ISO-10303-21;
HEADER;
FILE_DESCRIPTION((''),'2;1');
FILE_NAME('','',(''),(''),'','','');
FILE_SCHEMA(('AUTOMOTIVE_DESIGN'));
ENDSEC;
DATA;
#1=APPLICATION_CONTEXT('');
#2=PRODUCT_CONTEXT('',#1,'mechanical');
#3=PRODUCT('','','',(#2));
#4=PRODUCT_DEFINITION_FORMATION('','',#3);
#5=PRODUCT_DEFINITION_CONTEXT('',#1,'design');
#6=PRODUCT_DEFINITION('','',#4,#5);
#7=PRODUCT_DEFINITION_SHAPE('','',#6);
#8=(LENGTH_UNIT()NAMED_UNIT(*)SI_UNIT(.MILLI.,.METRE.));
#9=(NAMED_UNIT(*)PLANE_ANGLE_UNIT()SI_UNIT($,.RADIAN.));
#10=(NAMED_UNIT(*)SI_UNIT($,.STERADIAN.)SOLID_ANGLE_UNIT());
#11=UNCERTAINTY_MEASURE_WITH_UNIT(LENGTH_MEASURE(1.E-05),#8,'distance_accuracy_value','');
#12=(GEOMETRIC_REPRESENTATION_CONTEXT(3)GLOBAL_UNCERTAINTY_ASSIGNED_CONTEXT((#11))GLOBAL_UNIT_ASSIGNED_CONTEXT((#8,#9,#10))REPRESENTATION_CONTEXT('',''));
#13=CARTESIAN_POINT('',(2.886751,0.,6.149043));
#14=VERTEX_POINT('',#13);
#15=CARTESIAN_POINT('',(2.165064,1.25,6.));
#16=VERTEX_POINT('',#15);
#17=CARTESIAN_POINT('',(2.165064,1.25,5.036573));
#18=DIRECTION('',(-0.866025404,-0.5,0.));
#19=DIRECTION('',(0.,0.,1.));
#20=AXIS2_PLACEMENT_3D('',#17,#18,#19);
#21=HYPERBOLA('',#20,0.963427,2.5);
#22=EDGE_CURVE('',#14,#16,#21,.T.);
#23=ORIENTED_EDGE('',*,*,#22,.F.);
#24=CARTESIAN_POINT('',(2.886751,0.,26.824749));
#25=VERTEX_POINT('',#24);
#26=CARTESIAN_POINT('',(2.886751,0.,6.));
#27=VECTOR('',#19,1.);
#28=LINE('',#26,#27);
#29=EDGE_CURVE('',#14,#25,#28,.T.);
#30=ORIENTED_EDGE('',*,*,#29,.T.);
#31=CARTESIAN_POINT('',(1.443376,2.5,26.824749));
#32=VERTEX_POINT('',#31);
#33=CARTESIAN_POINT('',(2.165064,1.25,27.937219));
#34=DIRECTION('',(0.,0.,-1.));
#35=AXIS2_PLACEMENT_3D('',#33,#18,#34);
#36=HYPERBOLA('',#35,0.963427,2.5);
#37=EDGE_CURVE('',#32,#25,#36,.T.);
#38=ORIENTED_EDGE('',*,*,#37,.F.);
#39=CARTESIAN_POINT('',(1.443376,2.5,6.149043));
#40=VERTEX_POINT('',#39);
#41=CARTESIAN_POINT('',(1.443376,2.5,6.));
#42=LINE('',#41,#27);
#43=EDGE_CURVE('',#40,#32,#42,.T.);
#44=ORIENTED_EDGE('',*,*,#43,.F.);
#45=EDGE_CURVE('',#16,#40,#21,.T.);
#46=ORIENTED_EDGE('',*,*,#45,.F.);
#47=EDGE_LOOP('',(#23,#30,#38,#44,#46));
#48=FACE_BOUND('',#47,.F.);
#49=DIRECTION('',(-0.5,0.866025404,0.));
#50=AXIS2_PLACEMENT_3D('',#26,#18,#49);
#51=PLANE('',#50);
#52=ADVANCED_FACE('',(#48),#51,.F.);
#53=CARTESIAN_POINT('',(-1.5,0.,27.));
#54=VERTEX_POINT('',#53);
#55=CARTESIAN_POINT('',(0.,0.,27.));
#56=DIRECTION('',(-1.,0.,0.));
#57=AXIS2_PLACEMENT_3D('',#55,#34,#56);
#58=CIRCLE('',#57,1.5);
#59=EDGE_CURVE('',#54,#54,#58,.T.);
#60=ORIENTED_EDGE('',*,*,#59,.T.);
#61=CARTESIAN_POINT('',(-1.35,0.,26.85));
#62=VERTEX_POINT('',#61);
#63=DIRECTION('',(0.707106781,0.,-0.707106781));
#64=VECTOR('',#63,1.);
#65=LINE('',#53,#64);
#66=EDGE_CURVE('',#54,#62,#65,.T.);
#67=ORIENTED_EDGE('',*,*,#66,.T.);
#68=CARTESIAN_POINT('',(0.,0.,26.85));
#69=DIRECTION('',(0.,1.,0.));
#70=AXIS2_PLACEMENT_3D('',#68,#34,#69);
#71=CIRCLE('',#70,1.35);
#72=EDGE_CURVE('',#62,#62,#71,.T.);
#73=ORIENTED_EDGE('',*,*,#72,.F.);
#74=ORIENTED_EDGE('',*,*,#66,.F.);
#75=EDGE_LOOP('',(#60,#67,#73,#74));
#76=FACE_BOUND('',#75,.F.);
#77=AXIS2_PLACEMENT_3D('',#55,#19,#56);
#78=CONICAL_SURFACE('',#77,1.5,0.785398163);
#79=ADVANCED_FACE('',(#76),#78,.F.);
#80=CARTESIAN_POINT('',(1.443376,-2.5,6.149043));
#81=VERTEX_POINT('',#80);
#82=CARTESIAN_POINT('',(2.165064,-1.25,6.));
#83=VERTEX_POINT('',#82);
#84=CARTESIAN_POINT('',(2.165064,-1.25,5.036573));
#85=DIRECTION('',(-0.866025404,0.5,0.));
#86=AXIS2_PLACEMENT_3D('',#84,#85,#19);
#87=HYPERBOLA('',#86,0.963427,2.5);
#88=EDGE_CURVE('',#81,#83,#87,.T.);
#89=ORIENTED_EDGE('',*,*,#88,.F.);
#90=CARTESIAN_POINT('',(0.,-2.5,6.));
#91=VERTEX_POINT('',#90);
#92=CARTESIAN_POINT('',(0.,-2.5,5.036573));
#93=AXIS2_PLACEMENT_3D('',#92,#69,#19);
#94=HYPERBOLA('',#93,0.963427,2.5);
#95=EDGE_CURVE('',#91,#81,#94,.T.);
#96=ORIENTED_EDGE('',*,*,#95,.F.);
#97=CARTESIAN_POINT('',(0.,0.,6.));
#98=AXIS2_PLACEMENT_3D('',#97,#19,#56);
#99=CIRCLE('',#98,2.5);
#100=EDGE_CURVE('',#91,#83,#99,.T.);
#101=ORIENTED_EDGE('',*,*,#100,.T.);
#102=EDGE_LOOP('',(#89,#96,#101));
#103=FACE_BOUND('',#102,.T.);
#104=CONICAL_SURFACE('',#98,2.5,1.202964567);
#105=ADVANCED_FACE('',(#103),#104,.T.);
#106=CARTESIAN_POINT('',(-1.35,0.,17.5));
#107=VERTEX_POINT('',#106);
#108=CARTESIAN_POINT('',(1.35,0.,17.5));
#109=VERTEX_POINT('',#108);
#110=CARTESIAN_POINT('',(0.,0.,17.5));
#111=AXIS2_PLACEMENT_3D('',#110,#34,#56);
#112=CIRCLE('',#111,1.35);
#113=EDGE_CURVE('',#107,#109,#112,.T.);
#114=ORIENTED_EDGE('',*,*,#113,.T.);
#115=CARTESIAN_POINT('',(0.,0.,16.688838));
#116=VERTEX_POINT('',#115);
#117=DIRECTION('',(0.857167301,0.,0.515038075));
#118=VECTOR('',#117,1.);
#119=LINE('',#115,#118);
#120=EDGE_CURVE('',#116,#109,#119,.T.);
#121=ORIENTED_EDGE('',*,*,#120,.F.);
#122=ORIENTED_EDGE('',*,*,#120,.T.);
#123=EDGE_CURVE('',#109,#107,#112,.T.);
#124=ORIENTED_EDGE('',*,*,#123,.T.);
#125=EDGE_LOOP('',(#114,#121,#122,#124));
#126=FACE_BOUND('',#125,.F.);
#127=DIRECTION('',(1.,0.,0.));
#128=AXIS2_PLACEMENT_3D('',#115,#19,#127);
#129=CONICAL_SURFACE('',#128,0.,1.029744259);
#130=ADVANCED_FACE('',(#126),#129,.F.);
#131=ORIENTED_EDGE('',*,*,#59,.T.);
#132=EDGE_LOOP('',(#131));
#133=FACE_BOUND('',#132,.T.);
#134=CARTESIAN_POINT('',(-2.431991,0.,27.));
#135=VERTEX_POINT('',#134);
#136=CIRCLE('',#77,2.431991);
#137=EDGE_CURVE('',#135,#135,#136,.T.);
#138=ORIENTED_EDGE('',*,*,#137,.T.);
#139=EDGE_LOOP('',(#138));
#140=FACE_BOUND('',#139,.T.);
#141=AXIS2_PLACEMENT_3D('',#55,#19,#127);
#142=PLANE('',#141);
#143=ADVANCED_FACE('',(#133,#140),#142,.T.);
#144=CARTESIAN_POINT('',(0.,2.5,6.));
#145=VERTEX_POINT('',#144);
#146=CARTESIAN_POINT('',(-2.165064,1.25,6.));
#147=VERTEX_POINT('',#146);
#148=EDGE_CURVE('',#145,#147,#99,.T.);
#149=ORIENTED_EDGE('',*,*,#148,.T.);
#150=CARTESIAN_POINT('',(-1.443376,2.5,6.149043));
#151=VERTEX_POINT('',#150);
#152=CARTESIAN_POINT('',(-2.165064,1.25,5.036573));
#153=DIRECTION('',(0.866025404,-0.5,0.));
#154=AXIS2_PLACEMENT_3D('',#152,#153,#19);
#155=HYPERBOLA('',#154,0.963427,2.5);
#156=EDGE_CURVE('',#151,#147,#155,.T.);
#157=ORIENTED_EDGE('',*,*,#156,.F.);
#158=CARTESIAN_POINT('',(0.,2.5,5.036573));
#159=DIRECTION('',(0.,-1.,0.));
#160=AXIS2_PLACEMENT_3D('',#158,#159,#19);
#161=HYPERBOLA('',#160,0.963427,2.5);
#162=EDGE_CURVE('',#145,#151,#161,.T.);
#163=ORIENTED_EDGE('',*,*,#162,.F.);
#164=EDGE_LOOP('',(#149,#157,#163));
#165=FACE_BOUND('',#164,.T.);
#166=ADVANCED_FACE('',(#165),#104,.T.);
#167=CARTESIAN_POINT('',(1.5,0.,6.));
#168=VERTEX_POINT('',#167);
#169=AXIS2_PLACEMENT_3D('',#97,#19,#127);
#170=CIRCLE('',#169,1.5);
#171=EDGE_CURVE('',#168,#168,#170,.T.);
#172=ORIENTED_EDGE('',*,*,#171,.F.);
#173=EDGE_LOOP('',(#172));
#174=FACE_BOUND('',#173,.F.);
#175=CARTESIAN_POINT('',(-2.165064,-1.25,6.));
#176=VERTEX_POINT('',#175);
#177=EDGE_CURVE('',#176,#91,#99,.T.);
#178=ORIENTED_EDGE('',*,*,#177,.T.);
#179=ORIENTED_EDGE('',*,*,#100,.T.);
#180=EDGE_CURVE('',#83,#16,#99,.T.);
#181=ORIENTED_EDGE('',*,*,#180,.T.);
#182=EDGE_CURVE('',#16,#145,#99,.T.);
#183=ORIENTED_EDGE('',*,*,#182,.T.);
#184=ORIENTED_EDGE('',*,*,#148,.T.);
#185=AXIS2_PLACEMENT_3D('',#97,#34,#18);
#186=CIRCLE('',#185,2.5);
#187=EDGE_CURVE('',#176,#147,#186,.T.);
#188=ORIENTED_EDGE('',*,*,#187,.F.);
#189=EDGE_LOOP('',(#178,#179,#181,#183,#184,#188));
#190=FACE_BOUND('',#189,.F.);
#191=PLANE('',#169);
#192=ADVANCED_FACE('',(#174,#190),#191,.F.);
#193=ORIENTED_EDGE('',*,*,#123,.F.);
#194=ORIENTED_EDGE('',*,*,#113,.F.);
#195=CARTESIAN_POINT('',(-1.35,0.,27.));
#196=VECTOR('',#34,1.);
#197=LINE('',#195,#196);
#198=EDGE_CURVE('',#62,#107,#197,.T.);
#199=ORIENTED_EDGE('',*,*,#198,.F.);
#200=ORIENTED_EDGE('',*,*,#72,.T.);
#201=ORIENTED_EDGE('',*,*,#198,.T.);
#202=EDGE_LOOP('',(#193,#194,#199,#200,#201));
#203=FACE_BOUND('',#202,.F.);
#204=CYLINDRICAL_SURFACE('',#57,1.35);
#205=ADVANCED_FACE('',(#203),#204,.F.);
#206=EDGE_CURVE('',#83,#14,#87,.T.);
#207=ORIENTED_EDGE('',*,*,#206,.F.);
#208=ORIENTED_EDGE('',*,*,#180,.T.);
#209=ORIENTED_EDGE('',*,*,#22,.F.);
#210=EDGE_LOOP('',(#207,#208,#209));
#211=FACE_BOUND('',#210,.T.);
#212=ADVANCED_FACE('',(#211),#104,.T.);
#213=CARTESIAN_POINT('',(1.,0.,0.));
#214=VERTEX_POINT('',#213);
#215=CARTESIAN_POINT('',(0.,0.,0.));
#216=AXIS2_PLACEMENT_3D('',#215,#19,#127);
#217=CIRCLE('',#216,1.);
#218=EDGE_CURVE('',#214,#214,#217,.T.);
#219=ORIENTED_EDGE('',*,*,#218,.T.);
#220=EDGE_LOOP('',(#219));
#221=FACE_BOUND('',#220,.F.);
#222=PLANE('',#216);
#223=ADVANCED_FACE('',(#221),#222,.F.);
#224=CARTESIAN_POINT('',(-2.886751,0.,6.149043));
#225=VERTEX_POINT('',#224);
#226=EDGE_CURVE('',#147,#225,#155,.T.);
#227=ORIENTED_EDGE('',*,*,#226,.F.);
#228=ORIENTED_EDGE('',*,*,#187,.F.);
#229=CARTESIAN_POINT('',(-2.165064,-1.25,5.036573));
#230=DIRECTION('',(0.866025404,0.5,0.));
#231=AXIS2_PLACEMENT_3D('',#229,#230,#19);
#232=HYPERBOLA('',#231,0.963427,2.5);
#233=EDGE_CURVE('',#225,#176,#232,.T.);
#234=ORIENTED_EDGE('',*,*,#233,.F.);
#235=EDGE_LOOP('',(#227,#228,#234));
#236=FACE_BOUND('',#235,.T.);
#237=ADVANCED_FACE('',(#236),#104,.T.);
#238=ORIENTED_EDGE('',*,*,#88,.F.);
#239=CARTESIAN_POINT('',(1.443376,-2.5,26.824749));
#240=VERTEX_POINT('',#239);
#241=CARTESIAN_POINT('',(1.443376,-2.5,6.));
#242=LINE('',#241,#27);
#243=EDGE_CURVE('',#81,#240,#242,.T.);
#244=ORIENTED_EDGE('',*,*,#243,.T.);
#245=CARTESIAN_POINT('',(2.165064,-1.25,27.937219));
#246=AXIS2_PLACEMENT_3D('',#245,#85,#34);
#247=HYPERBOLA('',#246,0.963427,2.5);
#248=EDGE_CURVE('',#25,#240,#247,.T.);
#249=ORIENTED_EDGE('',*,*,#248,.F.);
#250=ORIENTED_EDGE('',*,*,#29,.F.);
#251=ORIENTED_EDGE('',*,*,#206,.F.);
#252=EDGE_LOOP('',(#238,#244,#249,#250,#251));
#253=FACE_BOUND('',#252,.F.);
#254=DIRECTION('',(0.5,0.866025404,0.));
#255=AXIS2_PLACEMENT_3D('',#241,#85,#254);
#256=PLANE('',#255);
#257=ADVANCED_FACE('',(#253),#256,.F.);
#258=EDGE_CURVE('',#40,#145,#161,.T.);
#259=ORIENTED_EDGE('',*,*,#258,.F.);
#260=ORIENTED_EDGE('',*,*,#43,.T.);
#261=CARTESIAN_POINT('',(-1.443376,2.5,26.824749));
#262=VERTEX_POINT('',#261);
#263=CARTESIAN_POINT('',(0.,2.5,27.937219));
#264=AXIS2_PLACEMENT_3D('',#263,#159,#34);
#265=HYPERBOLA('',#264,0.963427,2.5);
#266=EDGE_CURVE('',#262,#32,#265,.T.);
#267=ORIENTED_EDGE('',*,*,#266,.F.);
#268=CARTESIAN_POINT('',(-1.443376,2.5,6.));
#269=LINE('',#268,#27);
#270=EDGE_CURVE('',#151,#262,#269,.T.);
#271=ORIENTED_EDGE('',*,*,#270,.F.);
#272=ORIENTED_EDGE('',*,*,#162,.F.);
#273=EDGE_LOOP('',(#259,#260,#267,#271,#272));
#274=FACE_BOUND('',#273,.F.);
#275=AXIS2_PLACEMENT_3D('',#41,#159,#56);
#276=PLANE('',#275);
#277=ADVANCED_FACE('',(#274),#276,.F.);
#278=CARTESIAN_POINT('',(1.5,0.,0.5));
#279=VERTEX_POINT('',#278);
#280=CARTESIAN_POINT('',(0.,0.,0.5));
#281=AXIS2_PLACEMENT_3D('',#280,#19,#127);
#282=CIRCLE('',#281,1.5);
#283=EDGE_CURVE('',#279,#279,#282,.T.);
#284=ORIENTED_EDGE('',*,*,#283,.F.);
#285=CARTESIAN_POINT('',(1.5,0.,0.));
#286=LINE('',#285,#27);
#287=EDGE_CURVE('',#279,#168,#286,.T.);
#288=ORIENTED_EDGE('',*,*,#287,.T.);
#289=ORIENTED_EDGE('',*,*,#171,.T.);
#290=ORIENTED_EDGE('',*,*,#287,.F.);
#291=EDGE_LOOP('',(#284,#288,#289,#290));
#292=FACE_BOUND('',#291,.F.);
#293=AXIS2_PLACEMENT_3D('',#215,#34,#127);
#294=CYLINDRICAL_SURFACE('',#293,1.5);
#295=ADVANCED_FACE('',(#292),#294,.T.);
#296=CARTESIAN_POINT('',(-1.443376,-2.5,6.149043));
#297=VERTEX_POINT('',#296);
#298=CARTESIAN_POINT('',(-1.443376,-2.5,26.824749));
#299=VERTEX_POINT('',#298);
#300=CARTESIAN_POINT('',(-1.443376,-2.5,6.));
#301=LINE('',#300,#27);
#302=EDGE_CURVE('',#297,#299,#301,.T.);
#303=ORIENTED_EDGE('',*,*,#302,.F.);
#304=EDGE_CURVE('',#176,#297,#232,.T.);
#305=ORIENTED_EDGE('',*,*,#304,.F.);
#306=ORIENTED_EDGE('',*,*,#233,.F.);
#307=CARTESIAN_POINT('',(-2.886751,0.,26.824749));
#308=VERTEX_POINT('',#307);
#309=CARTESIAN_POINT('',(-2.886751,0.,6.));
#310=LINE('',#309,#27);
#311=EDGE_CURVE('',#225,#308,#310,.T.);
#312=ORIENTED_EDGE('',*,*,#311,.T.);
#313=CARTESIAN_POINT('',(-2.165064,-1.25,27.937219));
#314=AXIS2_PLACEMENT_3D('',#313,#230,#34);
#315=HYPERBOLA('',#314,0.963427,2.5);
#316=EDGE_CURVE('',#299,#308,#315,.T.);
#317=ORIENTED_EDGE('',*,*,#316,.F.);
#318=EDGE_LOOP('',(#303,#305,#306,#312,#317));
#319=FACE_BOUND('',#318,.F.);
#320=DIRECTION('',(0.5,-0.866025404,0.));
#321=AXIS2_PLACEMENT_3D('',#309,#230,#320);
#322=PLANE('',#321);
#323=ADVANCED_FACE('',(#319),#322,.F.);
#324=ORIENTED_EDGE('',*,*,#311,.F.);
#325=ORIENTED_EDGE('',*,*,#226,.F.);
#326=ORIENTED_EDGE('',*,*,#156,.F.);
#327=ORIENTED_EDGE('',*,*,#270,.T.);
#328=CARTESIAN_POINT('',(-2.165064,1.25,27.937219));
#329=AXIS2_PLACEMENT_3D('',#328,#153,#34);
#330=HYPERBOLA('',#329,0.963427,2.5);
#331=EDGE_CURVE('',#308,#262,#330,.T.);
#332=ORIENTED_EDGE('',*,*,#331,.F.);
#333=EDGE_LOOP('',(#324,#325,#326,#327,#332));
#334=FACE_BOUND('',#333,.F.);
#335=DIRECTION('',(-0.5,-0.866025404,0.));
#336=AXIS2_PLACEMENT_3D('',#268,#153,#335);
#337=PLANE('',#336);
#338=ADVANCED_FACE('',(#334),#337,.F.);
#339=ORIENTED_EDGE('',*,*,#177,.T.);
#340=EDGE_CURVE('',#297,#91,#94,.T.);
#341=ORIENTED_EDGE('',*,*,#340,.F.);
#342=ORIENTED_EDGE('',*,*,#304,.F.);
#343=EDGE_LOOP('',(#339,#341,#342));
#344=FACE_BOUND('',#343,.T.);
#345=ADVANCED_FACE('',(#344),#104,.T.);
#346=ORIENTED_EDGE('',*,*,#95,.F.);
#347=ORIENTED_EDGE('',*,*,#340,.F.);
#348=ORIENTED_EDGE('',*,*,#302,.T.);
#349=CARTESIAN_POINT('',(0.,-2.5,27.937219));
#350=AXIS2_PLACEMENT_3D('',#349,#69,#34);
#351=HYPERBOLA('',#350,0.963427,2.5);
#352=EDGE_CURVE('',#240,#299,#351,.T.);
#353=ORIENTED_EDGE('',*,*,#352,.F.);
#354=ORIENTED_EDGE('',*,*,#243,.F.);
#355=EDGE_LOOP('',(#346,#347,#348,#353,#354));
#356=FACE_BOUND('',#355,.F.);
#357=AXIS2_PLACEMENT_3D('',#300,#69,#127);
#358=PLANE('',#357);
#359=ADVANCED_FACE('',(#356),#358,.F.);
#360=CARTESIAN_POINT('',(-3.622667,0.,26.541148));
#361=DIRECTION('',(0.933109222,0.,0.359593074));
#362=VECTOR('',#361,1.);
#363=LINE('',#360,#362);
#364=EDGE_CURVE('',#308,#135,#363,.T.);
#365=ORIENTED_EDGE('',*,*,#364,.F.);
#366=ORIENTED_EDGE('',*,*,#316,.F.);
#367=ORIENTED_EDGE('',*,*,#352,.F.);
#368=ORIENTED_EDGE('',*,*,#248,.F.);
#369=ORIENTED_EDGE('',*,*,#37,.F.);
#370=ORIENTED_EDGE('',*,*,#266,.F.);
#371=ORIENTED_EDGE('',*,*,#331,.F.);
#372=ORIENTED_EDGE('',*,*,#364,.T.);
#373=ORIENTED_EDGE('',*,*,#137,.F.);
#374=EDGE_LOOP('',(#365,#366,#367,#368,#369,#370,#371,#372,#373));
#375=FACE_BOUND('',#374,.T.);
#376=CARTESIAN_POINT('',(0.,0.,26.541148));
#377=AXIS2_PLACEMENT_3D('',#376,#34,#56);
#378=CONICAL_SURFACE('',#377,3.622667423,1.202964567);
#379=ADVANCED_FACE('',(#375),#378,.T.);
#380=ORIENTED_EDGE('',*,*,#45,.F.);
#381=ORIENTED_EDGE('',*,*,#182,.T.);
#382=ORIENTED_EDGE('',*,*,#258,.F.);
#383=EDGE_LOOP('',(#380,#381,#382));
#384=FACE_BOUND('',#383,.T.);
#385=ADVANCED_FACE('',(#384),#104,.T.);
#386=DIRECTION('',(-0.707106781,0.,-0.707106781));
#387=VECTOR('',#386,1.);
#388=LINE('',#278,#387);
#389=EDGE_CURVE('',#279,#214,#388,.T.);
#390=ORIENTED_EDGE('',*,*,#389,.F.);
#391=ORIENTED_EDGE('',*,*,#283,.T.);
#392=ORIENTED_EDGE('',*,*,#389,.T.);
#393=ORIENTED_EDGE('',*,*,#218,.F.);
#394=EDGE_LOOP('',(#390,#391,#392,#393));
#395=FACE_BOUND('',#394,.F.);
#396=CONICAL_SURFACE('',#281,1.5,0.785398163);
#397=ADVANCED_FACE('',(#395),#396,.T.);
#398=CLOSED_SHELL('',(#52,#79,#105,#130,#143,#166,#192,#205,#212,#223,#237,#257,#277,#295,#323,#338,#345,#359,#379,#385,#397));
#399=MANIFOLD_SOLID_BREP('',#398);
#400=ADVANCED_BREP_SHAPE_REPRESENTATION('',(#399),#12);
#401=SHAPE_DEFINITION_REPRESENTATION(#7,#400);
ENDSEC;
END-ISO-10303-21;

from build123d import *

# Parameters (mm, degrees)
F0_R           = 1.5
F1_DEPTH       = 6
F3_DEPTH       = 21
F5_D           = 2.7
F5_DEPTH       = 9.5
F5_CSINK_D     = 3
F5_CSINK_ANGLE = 90
F5_TIP         = 0.8111618357
F8_SIZE        = 0.5


with BuildPart() as f1:
    # F0 (on Top) → F1 (new body)
    with BuildSketch(Plane.XY):
        Circle(F0_R)
    extrude(amount=F1_DEPTH)

    # F2 (on face) → F3 (join)
    with BuildSketch(Plane.XY.offset(6)):
        Polygon((-1.443375673, -2.5), (1.443375673, -2.5), (2.8867513459, 0), (1.443375673, 2.5), (-1.443375673, 2.5), (-2.8867513459, 0), align=None)
    extrude(amount=F3_DEPTH)

    # F5
    with Locations(Plane.XY.offset(27)):
        with Locations((0, 0)):
            CounterSinkHole(F5_D / 2, F5_CSINK_D / 2, depth=F5_DEPTH, counter_sink_angle=F5_CSINK_ANGLE)
            with Locations((0, 0, -(F5_DEPTH + F5_TIP / 2))):  # 118° drill point
                Cone(0, F5_D / 2, F5_TIP, mode=Mode.SUBTRACT)

    # F6 (on Front) → F7 (revolve, cut)
    with BuildSketch(Plane.XZ):
        Polygon((-3.6906760422, 6.4588518128), (-3.6906760422, 6), (-2.5, 6), align=None)
        Polygon((-3.6226674233, 26.5411481872), (-2.4319913811, 27), (-3.6226674233, 27), align=None)
    revolve(axis=Axis((0, 0, 14.2609653992), (0, 0, 1)), mode=Mode.SUBTRACT)

    # F8
    f8_edges = [f1.edges().sort_by_distance(p)[0] for p in [
        (-1.5, 0, 0),
    ]]
    chamfer(f8_edges, length=F8_SIZE)


solid = f1.part
